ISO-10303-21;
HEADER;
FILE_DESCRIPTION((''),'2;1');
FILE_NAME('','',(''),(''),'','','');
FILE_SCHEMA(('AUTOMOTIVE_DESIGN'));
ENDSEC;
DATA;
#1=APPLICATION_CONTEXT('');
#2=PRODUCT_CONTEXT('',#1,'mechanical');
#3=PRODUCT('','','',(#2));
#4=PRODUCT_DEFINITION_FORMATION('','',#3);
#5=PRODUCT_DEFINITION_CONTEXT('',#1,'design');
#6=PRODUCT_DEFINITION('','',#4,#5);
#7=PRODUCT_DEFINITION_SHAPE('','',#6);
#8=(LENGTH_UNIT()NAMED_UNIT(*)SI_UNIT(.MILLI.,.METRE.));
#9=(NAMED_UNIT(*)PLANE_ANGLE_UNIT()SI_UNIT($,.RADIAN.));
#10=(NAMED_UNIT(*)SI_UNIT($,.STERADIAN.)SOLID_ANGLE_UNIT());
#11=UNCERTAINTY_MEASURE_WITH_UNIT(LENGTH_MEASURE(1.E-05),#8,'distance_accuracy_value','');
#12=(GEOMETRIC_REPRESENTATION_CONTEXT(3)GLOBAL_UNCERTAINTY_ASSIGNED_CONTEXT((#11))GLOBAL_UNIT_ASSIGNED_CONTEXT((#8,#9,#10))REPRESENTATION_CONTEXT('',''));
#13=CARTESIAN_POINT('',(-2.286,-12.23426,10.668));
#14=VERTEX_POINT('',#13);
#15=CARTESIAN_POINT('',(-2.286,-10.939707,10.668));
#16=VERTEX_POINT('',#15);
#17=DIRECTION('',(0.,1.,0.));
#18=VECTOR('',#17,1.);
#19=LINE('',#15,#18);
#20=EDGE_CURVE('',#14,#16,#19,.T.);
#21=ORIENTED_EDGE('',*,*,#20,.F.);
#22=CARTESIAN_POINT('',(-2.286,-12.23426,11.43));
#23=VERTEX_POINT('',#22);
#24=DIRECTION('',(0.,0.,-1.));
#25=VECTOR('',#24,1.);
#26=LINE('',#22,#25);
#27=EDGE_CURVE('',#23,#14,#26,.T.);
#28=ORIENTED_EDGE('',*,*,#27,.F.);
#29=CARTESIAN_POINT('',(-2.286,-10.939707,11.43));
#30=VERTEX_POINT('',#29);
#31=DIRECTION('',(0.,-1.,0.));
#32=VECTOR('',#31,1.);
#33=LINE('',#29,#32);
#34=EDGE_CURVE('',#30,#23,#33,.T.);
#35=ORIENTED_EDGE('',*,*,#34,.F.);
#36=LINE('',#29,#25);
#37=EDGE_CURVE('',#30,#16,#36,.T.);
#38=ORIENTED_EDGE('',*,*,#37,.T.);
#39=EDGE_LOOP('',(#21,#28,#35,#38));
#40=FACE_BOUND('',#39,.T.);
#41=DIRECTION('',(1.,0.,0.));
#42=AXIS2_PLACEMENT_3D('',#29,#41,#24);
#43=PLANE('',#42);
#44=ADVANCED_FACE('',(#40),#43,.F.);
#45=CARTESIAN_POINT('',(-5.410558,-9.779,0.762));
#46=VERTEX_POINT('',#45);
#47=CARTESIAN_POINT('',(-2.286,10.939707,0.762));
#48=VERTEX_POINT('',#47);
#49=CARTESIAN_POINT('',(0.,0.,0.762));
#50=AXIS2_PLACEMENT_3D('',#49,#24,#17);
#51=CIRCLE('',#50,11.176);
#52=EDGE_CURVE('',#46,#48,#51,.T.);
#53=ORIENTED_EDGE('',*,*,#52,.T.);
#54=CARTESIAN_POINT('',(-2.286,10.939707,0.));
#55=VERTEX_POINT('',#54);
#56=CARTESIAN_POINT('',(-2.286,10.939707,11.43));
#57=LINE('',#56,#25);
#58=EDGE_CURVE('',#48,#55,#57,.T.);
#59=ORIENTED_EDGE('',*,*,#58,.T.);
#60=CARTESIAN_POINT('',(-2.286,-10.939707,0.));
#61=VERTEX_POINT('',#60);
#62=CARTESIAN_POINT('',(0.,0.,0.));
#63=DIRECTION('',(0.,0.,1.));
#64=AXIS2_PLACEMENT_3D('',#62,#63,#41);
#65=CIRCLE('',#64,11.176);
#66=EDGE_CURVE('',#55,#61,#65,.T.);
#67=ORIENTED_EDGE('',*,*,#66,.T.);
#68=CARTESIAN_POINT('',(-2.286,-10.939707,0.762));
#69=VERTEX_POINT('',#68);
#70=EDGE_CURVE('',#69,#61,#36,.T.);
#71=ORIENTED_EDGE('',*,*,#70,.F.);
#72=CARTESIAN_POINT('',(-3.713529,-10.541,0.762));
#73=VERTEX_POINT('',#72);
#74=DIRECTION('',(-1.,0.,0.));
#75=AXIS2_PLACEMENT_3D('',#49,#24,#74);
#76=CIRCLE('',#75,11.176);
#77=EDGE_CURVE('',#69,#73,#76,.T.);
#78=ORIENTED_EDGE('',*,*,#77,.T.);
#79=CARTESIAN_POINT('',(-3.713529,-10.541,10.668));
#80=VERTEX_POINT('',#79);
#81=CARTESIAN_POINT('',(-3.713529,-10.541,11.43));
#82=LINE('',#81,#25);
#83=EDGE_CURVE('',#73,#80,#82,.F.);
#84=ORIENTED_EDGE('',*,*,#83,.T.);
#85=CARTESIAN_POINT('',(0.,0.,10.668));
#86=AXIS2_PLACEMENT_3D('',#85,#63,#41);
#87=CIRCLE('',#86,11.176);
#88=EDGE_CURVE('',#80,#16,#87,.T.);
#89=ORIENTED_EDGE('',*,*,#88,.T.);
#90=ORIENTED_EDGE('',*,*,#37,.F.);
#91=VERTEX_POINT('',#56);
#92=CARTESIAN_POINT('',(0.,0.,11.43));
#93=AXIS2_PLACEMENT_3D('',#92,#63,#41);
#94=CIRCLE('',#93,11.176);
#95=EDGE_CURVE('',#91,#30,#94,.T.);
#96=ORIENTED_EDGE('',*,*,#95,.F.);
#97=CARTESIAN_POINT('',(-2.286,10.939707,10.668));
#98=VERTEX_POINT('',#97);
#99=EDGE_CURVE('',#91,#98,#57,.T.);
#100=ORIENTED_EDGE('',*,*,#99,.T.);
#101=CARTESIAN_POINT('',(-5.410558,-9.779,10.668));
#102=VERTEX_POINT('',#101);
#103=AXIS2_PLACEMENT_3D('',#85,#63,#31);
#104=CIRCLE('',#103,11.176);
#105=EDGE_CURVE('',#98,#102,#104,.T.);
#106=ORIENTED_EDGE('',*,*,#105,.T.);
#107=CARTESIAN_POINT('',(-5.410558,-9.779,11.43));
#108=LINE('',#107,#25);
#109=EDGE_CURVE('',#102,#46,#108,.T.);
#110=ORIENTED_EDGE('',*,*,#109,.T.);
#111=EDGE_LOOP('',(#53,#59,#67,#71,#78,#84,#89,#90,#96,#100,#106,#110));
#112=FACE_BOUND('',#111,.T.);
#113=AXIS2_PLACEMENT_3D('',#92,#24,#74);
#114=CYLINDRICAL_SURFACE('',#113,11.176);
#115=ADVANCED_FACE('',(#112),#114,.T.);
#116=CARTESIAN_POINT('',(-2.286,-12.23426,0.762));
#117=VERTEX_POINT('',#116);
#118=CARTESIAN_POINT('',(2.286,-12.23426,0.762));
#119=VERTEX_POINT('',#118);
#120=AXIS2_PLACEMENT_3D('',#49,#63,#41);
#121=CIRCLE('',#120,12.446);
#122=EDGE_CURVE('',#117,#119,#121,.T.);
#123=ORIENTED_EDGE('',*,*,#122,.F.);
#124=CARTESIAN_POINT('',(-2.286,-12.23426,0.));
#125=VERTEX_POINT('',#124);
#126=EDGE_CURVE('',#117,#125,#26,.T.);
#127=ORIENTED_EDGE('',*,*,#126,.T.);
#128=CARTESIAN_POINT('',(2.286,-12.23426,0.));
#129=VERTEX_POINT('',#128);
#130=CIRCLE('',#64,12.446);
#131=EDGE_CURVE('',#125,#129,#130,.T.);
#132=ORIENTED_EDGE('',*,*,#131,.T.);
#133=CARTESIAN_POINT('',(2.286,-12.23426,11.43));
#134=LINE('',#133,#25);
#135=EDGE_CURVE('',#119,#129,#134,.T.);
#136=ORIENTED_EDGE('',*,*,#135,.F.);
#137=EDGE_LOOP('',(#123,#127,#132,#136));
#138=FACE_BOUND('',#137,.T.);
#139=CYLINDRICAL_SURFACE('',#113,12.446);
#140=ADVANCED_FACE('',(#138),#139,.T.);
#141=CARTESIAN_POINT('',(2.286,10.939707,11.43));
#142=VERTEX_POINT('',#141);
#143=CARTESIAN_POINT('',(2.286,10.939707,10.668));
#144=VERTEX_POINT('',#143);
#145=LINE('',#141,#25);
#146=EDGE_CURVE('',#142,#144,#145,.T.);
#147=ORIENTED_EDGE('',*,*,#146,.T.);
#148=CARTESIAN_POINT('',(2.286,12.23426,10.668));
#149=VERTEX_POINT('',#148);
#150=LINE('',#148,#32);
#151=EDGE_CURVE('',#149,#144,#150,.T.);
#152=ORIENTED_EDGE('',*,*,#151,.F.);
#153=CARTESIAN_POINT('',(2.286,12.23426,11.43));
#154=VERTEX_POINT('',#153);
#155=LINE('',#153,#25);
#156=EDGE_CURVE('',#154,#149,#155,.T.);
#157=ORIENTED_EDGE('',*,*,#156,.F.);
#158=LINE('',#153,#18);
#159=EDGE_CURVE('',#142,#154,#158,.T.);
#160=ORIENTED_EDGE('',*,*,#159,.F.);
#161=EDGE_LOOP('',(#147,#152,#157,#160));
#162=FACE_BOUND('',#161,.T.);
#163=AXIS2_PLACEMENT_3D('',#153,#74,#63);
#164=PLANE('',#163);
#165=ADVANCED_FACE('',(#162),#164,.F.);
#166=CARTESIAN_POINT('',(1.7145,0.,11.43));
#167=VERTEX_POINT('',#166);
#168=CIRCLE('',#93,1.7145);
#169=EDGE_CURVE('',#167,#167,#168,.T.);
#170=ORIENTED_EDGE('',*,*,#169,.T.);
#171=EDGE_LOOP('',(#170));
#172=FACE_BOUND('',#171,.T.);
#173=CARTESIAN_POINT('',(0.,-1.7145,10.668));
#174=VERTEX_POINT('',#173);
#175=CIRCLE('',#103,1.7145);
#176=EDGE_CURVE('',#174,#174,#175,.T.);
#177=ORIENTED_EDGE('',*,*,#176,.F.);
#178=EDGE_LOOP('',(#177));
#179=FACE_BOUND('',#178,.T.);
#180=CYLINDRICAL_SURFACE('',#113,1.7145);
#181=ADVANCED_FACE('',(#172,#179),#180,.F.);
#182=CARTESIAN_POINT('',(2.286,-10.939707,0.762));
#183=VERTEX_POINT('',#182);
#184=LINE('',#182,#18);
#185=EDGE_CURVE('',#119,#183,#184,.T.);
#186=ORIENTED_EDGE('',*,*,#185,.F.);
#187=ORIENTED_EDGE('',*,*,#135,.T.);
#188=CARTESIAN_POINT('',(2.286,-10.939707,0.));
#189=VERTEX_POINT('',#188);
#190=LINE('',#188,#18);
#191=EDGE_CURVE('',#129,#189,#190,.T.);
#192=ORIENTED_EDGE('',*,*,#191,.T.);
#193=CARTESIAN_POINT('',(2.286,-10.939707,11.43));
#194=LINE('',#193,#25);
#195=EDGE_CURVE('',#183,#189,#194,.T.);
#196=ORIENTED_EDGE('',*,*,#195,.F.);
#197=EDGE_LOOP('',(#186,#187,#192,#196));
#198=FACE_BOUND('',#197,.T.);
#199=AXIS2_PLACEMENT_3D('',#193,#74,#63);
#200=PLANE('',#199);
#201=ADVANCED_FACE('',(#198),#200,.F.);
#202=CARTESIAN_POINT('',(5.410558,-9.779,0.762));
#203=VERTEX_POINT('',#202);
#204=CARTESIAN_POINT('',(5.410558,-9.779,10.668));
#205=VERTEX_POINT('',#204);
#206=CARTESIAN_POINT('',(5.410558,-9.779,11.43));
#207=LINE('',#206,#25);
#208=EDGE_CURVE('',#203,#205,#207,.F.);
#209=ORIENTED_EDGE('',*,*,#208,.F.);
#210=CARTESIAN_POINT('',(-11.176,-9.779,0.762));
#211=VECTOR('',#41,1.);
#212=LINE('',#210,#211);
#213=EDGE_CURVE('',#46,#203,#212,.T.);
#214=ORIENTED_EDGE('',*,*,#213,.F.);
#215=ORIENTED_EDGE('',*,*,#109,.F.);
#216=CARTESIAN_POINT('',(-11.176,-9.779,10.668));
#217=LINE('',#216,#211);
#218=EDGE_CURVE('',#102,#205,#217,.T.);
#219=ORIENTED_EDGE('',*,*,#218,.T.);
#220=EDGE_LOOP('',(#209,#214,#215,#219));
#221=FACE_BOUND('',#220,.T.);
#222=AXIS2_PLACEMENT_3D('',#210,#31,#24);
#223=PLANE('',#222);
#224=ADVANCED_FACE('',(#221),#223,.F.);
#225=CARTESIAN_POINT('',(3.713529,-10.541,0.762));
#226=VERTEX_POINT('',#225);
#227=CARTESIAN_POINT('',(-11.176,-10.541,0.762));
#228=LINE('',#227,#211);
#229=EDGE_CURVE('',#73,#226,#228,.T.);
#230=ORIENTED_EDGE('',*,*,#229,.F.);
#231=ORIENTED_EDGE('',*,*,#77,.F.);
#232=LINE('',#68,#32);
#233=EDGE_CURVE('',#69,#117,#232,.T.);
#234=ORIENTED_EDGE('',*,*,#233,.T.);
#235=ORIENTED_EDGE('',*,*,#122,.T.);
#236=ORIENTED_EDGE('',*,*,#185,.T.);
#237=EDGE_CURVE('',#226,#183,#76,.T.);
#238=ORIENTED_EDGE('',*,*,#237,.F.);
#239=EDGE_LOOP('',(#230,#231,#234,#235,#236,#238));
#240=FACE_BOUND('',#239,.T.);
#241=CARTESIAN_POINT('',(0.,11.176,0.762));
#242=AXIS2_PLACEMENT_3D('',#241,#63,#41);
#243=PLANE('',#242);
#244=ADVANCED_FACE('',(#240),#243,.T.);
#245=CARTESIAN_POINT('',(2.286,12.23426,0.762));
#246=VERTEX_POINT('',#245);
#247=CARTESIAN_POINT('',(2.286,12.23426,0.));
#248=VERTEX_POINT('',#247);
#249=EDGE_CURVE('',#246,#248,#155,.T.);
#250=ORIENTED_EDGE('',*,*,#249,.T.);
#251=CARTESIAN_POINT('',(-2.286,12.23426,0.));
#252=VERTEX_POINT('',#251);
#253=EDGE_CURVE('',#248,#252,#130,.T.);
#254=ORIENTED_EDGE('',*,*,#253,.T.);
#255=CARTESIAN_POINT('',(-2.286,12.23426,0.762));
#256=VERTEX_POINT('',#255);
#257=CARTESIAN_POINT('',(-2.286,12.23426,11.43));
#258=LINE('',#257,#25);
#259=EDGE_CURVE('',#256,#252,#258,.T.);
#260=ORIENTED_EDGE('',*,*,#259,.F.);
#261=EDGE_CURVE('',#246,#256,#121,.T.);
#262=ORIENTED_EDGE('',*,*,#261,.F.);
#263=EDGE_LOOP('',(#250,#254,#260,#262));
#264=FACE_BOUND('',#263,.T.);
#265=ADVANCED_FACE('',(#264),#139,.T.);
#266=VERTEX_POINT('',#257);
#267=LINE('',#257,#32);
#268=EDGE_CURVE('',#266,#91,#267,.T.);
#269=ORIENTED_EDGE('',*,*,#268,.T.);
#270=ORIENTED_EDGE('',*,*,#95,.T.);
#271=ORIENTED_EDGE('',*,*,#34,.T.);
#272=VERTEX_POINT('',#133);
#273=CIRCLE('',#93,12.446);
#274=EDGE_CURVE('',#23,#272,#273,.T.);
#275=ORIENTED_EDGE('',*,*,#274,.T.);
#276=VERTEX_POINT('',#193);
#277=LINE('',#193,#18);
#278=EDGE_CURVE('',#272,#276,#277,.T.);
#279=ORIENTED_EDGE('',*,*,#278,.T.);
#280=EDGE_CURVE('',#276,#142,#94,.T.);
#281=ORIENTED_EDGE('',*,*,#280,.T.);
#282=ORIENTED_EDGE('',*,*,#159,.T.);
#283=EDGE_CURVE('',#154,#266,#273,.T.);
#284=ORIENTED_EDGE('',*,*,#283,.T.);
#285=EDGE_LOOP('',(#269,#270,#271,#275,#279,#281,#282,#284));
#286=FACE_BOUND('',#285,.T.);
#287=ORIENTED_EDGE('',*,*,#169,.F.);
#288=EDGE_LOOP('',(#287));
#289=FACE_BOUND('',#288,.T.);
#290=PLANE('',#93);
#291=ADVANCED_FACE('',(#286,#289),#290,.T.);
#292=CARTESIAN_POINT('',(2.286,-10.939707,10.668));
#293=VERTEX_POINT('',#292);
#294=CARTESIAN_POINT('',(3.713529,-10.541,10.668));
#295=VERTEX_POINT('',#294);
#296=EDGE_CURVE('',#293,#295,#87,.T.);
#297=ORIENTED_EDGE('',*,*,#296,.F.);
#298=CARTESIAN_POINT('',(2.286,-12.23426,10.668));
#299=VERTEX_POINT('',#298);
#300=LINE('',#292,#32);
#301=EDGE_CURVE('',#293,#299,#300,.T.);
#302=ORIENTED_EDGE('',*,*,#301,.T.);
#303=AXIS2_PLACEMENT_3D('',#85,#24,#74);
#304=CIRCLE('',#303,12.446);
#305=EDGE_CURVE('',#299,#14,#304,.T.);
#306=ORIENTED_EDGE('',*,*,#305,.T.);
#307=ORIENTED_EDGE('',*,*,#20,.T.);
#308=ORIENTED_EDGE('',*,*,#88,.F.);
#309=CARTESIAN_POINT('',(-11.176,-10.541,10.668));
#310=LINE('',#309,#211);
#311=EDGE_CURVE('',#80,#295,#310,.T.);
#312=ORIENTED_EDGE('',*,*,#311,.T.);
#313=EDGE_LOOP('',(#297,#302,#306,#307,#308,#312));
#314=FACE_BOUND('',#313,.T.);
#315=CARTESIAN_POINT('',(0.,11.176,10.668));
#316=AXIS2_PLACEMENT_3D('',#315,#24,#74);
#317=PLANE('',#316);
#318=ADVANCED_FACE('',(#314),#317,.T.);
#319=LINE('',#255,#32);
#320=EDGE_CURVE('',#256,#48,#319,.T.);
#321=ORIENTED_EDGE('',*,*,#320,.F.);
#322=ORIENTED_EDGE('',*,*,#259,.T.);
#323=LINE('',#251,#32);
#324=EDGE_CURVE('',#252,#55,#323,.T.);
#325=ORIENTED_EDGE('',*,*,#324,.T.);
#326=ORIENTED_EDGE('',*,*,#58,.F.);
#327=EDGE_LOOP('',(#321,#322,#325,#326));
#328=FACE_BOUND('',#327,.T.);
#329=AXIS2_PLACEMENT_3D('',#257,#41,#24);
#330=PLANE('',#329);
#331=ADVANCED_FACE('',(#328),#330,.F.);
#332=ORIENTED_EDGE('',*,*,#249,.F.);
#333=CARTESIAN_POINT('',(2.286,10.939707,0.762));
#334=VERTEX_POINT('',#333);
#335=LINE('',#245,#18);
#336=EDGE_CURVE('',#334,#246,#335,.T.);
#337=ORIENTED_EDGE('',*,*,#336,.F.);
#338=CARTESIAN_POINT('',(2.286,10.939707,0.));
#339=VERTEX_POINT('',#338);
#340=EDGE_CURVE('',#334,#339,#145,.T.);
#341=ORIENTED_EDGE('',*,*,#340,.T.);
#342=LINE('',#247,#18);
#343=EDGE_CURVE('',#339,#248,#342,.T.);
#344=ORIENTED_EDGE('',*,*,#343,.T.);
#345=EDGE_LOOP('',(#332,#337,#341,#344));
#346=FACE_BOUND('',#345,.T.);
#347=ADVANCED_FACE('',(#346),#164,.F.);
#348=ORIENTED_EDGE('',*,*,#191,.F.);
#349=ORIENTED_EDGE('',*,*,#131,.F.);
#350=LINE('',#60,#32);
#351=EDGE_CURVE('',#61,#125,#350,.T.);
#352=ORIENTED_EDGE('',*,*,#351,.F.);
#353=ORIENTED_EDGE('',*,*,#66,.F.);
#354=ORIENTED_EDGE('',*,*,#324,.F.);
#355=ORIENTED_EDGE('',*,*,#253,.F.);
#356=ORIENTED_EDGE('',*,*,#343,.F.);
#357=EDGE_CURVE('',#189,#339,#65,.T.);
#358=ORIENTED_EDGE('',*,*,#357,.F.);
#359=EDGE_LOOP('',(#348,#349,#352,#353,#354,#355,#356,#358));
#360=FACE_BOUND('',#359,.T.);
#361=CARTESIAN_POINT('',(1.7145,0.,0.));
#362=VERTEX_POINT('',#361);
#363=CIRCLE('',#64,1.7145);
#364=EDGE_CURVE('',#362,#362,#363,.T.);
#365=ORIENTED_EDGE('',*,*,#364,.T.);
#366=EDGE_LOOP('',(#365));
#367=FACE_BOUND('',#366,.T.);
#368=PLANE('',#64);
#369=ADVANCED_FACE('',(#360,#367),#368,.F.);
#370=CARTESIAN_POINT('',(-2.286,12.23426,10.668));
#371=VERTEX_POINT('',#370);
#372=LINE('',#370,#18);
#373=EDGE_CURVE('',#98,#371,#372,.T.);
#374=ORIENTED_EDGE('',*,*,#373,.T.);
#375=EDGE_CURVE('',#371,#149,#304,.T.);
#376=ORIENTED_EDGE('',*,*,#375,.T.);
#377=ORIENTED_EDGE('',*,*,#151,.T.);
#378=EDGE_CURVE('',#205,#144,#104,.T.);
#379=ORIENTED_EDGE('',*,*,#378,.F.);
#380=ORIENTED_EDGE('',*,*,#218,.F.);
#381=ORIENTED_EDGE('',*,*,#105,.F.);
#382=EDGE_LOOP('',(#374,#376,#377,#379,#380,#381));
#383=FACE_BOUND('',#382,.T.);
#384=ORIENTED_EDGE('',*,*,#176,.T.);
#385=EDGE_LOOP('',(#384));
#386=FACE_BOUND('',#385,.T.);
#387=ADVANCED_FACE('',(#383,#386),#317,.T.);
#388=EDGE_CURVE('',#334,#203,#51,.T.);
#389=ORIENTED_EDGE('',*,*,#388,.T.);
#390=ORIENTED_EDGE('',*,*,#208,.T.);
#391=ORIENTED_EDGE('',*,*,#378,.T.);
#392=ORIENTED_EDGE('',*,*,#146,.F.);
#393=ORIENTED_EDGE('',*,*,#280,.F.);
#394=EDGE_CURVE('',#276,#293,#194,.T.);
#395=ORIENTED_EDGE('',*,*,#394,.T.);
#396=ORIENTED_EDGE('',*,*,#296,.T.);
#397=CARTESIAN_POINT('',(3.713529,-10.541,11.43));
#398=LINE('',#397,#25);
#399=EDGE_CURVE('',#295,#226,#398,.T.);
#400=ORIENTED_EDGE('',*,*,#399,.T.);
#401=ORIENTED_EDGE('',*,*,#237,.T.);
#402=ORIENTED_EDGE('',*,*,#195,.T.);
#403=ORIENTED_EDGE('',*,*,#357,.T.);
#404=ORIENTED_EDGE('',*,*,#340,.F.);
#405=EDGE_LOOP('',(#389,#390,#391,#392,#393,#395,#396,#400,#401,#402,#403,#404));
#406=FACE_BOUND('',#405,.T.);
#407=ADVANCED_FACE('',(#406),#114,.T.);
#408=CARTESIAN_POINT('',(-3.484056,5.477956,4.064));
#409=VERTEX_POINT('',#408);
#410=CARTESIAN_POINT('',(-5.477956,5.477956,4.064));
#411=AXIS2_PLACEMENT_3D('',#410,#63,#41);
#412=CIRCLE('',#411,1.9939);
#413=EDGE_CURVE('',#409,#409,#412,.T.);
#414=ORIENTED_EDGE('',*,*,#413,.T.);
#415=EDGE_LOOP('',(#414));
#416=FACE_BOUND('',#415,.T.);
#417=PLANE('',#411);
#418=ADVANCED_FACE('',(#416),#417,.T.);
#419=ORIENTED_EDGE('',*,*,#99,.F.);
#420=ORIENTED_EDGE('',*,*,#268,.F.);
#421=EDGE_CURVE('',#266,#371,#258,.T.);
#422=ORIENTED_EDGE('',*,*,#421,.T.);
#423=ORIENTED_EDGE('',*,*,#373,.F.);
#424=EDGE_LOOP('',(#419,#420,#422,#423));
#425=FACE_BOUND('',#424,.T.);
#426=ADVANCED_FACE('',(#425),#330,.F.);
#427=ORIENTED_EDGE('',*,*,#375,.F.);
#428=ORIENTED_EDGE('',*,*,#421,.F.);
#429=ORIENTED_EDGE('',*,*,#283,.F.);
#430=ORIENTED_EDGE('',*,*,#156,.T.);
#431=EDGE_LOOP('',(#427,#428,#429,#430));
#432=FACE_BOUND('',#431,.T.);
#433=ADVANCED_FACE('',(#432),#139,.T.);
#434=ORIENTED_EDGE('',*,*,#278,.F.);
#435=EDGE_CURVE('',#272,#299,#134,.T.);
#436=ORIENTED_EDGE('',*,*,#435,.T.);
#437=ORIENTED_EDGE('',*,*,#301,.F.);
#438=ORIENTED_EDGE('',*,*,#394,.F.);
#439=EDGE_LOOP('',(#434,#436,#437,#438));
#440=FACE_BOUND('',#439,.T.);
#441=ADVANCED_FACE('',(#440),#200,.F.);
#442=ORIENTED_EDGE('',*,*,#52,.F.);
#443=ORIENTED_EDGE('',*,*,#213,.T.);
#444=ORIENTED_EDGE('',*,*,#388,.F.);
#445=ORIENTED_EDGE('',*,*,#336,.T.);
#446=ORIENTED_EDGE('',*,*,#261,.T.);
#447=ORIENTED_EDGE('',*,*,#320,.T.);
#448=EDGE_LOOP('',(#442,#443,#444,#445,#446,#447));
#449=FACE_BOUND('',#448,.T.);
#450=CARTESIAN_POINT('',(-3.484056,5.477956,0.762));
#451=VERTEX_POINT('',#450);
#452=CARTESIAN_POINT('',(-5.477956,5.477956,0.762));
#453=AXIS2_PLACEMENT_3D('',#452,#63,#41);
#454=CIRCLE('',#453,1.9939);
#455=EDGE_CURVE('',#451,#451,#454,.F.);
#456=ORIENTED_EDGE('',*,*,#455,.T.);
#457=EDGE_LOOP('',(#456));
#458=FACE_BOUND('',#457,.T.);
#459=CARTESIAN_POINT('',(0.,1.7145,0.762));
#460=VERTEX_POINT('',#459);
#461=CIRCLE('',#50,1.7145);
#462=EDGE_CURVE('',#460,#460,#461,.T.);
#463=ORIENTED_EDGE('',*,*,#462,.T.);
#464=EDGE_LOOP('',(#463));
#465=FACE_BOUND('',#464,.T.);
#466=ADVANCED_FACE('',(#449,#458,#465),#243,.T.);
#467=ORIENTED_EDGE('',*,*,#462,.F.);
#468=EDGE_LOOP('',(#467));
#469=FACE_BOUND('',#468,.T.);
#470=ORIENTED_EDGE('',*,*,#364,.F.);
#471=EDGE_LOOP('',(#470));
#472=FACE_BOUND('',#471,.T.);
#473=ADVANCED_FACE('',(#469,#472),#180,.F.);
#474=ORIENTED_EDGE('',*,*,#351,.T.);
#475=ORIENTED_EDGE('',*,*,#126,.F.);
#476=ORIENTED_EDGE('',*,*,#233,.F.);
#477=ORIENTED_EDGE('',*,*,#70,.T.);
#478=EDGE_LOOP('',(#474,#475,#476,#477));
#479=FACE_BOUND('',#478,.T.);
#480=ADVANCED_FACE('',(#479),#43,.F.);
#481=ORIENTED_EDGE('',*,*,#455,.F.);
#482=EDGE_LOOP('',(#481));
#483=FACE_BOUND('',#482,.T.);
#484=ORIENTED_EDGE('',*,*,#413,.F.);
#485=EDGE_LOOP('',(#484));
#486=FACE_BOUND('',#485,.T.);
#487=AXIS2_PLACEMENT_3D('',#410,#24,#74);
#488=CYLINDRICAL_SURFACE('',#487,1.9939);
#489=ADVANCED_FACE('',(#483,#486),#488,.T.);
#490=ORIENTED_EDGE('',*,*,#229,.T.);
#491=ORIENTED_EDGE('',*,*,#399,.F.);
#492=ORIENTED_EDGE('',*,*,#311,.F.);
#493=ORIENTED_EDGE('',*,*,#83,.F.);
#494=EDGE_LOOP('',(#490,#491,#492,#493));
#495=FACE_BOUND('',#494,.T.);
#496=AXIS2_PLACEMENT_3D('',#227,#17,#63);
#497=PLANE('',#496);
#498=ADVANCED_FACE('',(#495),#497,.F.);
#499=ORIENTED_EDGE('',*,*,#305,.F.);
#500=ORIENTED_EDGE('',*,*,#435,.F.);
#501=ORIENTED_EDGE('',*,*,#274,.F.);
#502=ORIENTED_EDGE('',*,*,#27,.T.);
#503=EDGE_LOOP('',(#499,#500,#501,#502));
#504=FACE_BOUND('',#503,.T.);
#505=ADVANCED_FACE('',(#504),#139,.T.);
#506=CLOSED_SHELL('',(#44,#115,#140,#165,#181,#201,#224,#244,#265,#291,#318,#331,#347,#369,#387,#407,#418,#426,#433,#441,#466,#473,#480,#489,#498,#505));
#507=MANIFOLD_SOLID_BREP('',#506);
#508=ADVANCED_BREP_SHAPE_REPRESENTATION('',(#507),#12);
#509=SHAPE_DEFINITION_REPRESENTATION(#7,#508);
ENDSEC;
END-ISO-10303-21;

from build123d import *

# Parameters (mm, degrees)
SKETCH1_R               = 1.7145
BOSS_EXTRUDE1_DEPTH     = 11.43
SKETCH2_W               = 9.906
SKETCH2_H               = 2.54
CUT_EXTRUDE1_DEPTH      = 21.259585188
CUT_EXTRUDE1_DEPTH_BACK = 21.259585188
SKETCH4_W               = 9.906
SKETCH4_H               = 20.955
SKETCH4_H_2             = 0.635
SKETCH3_R               = 1.9939
BOSS_EXTRUDE2_DEPTH     = 4.064


with BuildPart() as part:
    # Sketch1 → Boss-Extrude1 (new body)
    with BuildSketch(Plane.XY):
        with BuildLine():
            Line((-2.286, 12.234260092), (-2.286, 10.939706577))
            ThreePointArc((-2.286, 10.939706577), (-11.176, 0), (-2.286, -10.939706577))
            Line((-2.286, -10.939706577), (-2.286, -12.234260092))
            ThreePointArc((-2.286, -12.234260092), (0, -12.446), (2.286, -12.234260092))
            Line((2.286, -12.234260092), (2.286, -10.939706577))
            ThreePointArc((2.286, -10.939706577), (11.176, 0), (2.286, 10.939706577))
            Line((2.286, 10.939706577), (2.286, 12.234260092))
            ThreePointArc((2.286, 12.234260092), (0, 12.446), (-2.286, 12.234260092))
        make_face()
        Circle(SKETCH1_R, mode=Mode.SUBTRACT)
    extrude(amount=BOSS_EXTRUDE1_DEPTH)

    # Sketch2 → Cut-Revolve1 (revolve, cut)
    with BuildSketch(Plane(origin=(0, 0, 0), x_dir=(0, 0, -1), z_dir=(1, 0, 0)), mode=Mode.PRIVATE) as cut_revolve1_sk:
        with Locations((-5.715, 12.446)):
            Rectangle(SKETCH2_W, SKETCH2_H)
    revolve(cut_revolve1_sk.sketch.rotate(Axis((0, 0, 11.43), (0, 0, -1)), 348.19710831), axis=Axis((0, 0, 11.43), (0, 0, -1)), mode=Mode.SUBTRACT)

    # Sketch4 → Cut-Extrude1 (cut, two sides: drawn at the far end of the back side and taken through both)
    with BuildSketch(Plane(origin=(0, 0, 0), x_dir=(0, 0, -1), z_dir=(1, 0, 0)).offset(-CUT_EXTRUDE1_DEPTH_BACK)):
        with Locations((-5.715, 0.6985)):
            Rectangle(SKETCH4_W, SKETCH4_H)
        with Locations((-5.715, -10.8585)):
            Rectangle(SKETCH4_W, SKETCH4_H_2)
    extrude(amount=CUT_EXTRUDE1_DEPTH + CUT_EXTRUDE1_DEPTH_BACK, mode=Mode.SUBTRACT)

    # Sketch3 → Boss-Extrude2 (add)
    with BuildSketch(Plane.XY):
        with Locations((-5.477956234, 5.477956234)):
            Circle(SKETCH3_R)
    extrude(amount=BOSS_EXTRUDE2_DEPTH)


solid = part.part
